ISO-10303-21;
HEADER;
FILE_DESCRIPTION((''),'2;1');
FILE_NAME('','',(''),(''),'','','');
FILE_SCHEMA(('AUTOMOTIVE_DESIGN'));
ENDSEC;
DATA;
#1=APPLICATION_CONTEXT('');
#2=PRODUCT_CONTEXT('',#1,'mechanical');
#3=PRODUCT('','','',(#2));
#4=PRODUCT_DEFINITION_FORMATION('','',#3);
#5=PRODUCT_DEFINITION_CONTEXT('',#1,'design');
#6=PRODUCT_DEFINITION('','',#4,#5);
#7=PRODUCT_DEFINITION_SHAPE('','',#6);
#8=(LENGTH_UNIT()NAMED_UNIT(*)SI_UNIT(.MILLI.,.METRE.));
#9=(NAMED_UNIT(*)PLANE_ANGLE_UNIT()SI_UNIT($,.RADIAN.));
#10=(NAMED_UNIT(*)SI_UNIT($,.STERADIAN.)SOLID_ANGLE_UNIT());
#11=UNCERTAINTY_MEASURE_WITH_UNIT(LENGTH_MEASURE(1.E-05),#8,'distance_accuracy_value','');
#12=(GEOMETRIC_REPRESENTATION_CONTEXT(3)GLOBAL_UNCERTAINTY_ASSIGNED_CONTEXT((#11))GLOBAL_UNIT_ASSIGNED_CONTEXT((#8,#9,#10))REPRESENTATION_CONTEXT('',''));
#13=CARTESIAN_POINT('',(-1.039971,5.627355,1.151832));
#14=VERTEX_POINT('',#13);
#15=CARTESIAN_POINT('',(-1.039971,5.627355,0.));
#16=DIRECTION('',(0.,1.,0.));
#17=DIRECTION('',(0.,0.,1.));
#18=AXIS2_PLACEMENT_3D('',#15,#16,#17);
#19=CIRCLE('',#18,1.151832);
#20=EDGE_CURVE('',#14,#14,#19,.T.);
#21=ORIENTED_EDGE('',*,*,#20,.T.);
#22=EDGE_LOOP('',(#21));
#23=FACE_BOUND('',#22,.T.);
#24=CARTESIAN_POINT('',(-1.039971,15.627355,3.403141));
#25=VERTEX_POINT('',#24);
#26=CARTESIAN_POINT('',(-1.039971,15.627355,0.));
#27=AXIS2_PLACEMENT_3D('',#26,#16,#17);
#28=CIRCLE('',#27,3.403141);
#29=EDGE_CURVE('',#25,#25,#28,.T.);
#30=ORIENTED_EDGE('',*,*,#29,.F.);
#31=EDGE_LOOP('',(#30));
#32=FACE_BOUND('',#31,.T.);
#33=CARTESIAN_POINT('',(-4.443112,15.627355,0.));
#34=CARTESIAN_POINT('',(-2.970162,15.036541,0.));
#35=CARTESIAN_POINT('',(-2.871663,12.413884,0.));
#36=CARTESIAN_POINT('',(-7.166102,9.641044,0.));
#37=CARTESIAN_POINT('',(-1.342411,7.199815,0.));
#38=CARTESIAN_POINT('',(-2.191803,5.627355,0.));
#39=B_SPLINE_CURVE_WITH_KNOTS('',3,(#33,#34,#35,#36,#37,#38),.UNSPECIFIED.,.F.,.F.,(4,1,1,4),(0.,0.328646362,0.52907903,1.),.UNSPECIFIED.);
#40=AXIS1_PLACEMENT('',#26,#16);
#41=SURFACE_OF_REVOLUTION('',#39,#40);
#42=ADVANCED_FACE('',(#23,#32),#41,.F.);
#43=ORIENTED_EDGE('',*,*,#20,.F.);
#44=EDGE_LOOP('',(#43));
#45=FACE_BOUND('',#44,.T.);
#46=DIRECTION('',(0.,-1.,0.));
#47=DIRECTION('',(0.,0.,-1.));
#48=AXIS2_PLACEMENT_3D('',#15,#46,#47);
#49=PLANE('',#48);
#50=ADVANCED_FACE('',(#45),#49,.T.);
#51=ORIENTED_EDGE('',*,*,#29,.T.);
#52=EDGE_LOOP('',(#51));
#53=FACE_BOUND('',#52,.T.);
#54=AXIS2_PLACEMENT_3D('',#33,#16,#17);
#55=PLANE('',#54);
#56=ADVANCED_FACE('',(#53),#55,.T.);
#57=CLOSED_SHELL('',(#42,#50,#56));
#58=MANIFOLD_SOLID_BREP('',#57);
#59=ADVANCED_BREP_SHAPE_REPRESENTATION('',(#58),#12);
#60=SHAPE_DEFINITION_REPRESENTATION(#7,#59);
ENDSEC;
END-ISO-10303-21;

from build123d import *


with BuildPart() as part:
    # 草图3 → 旋转1 (revolve)
    with BuildSketch(Plane.XY):
        with BuildLine():
            Line((-4.443112374, 15.627355247), (-1.039971012, 15.627355247))
            Line((-1.039971012, 15.627355247), (-1.039971012, 5.627355247))
            Line((-1.039971012, 5.627355247), (-2.191803473, 5.627355247))
            add(Edge.make_bspline(
                [(-4.443112374, 15.627355247), (-2.970162428, 15.03654142), (-2.871663149, 12.413883529), (-7.166101807, 9.641043973), (-1.342411225, 7.199814916), (-2.191803473, 5.627355247)],
                knots=[0, 0, 0, 0, 0.328646362, 0.52907903, 1, 1, 1, 1], degree=3))
        make_face()
    revolve(axis=Axis((-1.039971012, 15.627355247, 0), (0, -1, 0)))


solid = part.part
